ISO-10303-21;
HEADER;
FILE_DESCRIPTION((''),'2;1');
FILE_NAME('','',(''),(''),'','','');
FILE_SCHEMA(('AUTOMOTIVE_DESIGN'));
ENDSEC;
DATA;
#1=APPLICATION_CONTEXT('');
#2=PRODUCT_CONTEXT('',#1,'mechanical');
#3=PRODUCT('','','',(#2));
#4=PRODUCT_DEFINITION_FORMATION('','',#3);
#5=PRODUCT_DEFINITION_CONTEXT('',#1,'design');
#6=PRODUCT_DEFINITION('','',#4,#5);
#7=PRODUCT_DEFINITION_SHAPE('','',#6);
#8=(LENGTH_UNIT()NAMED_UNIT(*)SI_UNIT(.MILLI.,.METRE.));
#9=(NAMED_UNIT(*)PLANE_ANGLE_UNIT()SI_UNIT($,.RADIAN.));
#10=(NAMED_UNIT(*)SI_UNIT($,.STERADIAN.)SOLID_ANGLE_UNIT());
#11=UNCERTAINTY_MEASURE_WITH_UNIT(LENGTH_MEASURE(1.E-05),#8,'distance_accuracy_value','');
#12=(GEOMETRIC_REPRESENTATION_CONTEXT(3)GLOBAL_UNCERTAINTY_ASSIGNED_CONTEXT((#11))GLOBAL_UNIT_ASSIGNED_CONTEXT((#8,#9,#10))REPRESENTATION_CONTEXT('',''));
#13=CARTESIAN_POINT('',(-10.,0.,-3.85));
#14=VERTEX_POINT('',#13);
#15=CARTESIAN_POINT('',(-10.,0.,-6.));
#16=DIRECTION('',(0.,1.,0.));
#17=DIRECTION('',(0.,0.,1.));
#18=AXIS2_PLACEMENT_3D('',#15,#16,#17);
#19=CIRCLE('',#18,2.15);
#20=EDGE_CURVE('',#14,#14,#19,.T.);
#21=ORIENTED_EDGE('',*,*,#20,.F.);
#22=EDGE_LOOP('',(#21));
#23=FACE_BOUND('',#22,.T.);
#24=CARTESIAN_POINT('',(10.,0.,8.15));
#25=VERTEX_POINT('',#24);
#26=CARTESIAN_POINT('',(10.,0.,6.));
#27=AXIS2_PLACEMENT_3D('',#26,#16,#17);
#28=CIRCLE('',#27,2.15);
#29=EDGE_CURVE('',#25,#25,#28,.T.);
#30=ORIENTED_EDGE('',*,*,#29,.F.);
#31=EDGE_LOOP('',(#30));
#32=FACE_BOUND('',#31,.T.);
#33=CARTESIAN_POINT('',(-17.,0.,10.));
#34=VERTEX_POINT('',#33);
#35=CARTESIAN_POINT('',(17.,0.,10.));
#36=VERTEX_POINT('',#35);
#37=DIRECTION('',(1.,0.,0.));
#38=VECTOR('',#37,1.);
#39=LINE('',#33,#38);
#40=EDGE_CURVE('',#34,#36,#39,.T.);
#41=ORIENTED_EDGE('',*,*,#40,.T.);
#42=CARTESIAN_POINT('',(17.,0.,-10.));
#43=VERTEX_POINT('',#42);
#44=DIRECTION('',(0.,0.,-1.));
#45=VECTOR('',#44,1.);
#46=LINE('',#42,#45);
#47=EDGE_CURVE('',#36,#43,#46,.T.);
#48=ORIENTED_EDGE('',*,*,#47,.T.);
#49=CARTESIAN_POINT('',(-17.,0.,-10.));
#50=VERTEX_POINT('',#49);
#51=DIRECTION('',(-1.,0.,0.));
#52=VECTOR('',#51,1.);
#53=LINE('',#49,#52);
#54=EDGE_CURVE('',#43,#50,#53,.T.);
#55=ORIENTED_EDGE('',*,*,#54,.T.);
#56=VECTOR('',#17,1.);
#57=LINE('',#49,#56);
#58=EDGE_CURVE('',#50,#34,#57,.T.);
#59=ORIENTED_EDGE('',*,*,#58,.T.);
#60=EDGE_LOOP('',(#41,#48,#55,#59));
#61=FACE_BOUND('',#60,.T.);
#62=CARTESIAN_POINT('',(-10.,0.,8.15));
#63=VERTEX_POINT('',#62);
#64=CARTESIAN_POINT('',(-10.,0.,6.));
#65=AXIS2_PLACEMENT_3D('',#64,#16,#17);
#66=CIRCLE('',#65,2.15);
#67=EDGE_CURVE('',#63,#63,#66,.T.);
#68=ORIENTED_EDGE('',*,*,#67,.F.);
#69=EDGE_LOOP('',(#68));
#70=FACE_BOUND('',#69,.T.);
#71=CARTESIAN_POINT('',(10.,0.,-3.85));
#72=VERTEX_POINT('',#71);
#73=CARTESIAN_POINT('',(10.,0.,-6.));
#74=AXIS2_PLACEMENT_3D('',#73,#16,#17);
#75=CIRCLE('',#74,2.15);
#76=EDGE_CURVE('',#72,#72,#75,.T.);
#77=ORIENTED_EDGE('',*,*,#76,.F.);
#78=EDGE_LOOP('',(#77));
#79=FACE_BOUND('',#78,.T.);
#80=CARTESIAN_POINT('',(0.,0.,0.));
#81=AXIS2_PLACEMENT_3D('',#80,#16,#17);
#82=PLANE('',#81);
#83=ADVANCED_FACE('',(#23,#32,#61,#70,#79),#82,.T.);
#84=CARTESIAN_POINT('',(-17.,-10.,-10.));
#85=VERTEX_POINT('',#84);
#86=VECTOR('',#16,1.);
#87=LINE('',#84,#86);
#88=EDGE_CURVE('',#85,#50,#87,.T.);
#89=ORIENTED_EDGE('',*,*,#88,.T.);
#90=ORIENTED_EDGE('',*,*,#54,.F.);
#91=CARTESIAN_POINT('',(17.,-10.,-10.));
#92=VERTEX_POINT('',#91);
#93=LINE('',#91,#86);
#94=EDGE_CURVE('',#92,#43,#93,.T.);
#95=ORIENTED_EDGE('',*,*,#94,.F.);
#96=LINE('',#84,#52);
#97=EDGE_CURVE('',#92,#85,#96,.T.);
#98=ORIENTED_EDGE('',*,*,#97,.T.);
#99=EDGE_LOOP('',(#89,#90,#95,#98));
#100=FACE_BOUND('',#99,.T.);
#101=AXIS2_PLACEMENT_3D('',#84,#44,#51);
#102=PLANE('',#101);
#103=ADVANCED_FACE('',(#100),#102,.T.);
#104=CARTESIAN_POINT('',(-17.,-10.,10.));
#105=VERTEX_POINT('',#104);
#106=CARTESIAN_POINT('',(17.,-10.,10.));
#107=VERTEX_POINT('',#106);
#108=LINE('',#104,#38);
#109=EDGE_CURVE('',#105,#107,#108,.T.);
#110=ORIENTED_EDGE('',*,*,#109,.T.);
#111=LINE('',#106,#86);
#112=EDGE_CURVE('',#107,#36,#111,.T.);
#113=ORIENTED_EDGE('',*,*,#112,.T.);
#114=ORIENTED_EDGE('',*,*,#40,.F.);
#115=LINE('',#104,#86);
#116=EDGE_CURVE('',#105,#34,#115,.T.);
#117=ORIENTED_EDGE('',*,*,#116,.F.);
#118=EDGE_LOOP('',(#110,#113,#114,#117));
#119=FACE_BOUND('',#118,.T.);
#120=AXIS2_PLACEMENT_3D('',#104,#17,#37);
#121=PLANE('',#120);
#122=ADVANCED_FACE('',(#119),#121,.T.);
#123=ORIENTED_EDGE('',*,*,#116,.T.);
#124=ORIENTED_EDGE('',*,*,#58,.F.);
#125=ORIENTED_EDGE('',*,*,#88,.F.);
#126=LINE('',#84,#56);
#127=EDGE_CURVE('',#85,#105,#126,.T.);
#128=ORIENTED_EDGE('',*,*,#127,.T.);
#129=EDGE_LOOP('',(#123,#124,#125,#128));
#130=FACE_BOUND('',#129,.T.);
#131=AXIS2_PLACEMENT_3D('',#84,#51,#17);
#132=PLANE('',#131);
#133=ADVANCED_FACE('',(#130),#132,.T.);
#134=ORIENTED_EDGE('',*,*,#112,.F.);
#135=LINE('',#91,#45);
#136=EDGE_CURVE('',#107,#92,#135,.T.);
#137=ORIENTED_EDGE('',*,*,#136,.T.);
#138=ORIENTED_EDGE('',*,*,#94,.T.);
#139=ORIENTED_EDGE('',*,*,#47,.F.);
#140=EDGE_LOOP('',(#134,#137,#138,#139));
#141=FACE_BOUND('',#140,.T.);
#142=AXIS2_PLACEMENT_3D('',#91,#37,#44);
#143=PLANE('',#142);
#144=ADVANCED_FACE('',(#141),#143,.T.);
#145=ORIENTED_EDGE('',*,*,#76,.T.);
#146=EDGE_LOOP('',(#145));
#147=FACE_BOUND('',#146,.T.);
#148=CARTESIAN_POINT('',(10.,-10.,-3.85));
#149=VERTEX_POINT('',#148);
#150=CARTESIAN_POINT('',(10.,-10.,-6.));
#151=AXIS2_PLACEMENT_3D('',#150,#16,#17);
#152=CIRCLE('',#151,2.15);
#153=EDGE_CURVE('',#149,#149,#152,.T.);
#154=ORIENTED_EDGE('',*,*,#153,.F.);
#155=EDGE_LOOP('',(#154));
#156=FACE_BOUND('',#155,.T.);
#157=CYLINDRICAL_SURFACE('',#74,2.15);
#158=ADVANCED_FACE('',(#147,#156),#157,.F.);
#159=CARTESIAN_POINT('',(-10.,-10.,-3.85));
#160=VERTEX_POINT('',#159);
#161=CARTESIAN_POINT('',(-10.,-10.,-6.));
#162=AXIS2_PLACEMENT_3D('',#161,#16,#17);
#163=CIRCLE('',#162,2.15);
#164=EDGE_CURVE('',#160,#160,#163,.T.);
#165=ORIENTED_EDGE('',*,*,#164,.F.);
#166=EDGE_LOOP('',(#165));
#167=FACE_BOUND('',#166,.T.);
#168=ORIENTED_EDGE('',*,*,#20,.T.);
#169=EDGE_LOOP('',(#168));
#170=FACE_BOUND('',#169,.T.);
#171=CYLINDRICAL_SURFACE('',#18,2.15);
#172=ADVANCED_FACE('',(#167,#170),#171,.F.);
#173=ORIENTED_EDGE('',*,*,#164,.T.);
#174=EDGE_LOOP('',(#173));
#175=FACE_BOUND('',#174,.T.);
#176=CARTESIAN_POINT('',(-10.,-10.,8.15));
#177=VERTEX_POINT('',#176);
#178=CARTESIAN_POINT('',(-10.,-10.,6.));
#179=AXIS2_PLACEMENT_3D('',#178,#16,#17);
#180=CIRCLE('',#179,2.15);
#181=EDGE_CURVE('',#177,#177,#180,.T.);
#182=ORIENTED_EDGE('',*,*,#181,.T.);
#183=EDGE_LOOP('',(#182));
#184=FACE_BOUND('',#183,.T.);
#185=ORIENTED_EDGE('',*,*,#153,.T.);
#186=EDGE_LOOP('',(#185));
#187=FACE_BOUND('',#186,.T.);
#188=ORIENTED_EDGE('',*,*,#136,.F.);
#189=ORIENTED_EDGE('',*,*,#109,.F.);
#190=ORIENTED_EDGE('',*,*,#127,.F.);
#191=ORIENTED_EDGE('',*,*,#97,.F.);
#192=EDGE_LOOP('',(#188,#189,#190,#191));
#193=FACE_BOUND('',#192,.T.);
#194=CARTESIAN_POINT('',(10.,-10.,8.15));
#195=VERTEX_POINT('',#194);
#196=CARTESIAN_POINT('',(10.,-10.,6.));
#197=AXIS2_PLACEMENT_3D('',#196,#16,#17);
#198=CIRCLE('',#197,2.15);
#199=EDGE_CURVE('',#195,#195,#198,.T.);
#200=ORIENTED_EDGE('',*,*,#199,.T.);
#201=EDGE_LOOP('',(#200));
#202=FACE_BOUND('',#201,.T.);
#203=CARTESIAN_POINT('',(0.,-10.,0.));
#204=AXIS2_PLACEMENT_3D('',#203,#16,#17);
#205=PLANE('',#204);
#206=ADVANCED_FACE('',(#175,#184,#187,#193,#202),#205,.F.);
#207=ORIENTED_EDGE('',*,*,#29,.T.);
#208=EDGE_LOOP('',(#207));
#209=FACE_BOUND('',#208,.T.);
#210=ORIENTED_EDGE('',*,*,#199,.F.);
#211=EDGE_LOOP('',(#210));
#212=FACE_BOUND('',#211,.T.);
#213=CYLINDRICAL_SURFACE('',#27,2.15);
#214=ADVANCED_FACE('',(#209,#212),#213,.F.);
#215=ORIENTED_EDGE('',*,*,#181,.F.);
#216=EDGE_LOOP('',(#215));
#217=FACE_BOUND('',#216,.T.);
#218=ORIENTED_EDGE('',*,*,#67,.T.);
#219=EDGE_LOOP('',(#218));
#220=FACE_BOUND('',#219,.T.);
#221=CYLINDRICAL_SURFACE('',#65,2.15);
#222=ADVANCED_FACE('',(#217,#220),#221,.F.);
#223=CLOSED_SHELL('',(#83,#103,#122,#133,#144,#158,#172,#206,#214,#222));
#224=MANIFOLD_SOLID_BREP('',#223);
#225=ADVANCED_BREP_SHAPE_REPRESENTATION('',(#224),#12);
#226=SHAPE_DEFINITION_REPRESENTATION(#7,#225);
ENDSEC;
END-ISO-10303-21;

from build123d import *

# Parameters (mm, degrees)
SKETCH12_W           = 34
SKETCH12_H           = 20
BOSS_EXTRUDE2_DEPTH  = 10
M4_CLEARANCE_HOLE1_D = 4.3


with BuildPart() as part:
    # Sketch12 → Boss-Extrude2 (new body)
    with BuildSketch(Plane(origin=(0, 0, 0), x_dir=(1, 0, 0), z_dir=(0, 1, 0))):
        Rectangle(SKETCH12_W, SKETCH12_H)
    extrude(amount=-BOSS_EXTRUDE2_DEPTH)

    # M4 Clearance Hole1 (through all)
    with Locations(Plane(origin=(-10, 0, -6), x_dir=(0, 0, 1), z_dir=(0, 1, 0))):
        with Locations((0, 0), (12, 0), (12, 20), (0, 20)):
            Hole(M4_CLEARANCE_HOLE1_D / 2)


solid = part.part
